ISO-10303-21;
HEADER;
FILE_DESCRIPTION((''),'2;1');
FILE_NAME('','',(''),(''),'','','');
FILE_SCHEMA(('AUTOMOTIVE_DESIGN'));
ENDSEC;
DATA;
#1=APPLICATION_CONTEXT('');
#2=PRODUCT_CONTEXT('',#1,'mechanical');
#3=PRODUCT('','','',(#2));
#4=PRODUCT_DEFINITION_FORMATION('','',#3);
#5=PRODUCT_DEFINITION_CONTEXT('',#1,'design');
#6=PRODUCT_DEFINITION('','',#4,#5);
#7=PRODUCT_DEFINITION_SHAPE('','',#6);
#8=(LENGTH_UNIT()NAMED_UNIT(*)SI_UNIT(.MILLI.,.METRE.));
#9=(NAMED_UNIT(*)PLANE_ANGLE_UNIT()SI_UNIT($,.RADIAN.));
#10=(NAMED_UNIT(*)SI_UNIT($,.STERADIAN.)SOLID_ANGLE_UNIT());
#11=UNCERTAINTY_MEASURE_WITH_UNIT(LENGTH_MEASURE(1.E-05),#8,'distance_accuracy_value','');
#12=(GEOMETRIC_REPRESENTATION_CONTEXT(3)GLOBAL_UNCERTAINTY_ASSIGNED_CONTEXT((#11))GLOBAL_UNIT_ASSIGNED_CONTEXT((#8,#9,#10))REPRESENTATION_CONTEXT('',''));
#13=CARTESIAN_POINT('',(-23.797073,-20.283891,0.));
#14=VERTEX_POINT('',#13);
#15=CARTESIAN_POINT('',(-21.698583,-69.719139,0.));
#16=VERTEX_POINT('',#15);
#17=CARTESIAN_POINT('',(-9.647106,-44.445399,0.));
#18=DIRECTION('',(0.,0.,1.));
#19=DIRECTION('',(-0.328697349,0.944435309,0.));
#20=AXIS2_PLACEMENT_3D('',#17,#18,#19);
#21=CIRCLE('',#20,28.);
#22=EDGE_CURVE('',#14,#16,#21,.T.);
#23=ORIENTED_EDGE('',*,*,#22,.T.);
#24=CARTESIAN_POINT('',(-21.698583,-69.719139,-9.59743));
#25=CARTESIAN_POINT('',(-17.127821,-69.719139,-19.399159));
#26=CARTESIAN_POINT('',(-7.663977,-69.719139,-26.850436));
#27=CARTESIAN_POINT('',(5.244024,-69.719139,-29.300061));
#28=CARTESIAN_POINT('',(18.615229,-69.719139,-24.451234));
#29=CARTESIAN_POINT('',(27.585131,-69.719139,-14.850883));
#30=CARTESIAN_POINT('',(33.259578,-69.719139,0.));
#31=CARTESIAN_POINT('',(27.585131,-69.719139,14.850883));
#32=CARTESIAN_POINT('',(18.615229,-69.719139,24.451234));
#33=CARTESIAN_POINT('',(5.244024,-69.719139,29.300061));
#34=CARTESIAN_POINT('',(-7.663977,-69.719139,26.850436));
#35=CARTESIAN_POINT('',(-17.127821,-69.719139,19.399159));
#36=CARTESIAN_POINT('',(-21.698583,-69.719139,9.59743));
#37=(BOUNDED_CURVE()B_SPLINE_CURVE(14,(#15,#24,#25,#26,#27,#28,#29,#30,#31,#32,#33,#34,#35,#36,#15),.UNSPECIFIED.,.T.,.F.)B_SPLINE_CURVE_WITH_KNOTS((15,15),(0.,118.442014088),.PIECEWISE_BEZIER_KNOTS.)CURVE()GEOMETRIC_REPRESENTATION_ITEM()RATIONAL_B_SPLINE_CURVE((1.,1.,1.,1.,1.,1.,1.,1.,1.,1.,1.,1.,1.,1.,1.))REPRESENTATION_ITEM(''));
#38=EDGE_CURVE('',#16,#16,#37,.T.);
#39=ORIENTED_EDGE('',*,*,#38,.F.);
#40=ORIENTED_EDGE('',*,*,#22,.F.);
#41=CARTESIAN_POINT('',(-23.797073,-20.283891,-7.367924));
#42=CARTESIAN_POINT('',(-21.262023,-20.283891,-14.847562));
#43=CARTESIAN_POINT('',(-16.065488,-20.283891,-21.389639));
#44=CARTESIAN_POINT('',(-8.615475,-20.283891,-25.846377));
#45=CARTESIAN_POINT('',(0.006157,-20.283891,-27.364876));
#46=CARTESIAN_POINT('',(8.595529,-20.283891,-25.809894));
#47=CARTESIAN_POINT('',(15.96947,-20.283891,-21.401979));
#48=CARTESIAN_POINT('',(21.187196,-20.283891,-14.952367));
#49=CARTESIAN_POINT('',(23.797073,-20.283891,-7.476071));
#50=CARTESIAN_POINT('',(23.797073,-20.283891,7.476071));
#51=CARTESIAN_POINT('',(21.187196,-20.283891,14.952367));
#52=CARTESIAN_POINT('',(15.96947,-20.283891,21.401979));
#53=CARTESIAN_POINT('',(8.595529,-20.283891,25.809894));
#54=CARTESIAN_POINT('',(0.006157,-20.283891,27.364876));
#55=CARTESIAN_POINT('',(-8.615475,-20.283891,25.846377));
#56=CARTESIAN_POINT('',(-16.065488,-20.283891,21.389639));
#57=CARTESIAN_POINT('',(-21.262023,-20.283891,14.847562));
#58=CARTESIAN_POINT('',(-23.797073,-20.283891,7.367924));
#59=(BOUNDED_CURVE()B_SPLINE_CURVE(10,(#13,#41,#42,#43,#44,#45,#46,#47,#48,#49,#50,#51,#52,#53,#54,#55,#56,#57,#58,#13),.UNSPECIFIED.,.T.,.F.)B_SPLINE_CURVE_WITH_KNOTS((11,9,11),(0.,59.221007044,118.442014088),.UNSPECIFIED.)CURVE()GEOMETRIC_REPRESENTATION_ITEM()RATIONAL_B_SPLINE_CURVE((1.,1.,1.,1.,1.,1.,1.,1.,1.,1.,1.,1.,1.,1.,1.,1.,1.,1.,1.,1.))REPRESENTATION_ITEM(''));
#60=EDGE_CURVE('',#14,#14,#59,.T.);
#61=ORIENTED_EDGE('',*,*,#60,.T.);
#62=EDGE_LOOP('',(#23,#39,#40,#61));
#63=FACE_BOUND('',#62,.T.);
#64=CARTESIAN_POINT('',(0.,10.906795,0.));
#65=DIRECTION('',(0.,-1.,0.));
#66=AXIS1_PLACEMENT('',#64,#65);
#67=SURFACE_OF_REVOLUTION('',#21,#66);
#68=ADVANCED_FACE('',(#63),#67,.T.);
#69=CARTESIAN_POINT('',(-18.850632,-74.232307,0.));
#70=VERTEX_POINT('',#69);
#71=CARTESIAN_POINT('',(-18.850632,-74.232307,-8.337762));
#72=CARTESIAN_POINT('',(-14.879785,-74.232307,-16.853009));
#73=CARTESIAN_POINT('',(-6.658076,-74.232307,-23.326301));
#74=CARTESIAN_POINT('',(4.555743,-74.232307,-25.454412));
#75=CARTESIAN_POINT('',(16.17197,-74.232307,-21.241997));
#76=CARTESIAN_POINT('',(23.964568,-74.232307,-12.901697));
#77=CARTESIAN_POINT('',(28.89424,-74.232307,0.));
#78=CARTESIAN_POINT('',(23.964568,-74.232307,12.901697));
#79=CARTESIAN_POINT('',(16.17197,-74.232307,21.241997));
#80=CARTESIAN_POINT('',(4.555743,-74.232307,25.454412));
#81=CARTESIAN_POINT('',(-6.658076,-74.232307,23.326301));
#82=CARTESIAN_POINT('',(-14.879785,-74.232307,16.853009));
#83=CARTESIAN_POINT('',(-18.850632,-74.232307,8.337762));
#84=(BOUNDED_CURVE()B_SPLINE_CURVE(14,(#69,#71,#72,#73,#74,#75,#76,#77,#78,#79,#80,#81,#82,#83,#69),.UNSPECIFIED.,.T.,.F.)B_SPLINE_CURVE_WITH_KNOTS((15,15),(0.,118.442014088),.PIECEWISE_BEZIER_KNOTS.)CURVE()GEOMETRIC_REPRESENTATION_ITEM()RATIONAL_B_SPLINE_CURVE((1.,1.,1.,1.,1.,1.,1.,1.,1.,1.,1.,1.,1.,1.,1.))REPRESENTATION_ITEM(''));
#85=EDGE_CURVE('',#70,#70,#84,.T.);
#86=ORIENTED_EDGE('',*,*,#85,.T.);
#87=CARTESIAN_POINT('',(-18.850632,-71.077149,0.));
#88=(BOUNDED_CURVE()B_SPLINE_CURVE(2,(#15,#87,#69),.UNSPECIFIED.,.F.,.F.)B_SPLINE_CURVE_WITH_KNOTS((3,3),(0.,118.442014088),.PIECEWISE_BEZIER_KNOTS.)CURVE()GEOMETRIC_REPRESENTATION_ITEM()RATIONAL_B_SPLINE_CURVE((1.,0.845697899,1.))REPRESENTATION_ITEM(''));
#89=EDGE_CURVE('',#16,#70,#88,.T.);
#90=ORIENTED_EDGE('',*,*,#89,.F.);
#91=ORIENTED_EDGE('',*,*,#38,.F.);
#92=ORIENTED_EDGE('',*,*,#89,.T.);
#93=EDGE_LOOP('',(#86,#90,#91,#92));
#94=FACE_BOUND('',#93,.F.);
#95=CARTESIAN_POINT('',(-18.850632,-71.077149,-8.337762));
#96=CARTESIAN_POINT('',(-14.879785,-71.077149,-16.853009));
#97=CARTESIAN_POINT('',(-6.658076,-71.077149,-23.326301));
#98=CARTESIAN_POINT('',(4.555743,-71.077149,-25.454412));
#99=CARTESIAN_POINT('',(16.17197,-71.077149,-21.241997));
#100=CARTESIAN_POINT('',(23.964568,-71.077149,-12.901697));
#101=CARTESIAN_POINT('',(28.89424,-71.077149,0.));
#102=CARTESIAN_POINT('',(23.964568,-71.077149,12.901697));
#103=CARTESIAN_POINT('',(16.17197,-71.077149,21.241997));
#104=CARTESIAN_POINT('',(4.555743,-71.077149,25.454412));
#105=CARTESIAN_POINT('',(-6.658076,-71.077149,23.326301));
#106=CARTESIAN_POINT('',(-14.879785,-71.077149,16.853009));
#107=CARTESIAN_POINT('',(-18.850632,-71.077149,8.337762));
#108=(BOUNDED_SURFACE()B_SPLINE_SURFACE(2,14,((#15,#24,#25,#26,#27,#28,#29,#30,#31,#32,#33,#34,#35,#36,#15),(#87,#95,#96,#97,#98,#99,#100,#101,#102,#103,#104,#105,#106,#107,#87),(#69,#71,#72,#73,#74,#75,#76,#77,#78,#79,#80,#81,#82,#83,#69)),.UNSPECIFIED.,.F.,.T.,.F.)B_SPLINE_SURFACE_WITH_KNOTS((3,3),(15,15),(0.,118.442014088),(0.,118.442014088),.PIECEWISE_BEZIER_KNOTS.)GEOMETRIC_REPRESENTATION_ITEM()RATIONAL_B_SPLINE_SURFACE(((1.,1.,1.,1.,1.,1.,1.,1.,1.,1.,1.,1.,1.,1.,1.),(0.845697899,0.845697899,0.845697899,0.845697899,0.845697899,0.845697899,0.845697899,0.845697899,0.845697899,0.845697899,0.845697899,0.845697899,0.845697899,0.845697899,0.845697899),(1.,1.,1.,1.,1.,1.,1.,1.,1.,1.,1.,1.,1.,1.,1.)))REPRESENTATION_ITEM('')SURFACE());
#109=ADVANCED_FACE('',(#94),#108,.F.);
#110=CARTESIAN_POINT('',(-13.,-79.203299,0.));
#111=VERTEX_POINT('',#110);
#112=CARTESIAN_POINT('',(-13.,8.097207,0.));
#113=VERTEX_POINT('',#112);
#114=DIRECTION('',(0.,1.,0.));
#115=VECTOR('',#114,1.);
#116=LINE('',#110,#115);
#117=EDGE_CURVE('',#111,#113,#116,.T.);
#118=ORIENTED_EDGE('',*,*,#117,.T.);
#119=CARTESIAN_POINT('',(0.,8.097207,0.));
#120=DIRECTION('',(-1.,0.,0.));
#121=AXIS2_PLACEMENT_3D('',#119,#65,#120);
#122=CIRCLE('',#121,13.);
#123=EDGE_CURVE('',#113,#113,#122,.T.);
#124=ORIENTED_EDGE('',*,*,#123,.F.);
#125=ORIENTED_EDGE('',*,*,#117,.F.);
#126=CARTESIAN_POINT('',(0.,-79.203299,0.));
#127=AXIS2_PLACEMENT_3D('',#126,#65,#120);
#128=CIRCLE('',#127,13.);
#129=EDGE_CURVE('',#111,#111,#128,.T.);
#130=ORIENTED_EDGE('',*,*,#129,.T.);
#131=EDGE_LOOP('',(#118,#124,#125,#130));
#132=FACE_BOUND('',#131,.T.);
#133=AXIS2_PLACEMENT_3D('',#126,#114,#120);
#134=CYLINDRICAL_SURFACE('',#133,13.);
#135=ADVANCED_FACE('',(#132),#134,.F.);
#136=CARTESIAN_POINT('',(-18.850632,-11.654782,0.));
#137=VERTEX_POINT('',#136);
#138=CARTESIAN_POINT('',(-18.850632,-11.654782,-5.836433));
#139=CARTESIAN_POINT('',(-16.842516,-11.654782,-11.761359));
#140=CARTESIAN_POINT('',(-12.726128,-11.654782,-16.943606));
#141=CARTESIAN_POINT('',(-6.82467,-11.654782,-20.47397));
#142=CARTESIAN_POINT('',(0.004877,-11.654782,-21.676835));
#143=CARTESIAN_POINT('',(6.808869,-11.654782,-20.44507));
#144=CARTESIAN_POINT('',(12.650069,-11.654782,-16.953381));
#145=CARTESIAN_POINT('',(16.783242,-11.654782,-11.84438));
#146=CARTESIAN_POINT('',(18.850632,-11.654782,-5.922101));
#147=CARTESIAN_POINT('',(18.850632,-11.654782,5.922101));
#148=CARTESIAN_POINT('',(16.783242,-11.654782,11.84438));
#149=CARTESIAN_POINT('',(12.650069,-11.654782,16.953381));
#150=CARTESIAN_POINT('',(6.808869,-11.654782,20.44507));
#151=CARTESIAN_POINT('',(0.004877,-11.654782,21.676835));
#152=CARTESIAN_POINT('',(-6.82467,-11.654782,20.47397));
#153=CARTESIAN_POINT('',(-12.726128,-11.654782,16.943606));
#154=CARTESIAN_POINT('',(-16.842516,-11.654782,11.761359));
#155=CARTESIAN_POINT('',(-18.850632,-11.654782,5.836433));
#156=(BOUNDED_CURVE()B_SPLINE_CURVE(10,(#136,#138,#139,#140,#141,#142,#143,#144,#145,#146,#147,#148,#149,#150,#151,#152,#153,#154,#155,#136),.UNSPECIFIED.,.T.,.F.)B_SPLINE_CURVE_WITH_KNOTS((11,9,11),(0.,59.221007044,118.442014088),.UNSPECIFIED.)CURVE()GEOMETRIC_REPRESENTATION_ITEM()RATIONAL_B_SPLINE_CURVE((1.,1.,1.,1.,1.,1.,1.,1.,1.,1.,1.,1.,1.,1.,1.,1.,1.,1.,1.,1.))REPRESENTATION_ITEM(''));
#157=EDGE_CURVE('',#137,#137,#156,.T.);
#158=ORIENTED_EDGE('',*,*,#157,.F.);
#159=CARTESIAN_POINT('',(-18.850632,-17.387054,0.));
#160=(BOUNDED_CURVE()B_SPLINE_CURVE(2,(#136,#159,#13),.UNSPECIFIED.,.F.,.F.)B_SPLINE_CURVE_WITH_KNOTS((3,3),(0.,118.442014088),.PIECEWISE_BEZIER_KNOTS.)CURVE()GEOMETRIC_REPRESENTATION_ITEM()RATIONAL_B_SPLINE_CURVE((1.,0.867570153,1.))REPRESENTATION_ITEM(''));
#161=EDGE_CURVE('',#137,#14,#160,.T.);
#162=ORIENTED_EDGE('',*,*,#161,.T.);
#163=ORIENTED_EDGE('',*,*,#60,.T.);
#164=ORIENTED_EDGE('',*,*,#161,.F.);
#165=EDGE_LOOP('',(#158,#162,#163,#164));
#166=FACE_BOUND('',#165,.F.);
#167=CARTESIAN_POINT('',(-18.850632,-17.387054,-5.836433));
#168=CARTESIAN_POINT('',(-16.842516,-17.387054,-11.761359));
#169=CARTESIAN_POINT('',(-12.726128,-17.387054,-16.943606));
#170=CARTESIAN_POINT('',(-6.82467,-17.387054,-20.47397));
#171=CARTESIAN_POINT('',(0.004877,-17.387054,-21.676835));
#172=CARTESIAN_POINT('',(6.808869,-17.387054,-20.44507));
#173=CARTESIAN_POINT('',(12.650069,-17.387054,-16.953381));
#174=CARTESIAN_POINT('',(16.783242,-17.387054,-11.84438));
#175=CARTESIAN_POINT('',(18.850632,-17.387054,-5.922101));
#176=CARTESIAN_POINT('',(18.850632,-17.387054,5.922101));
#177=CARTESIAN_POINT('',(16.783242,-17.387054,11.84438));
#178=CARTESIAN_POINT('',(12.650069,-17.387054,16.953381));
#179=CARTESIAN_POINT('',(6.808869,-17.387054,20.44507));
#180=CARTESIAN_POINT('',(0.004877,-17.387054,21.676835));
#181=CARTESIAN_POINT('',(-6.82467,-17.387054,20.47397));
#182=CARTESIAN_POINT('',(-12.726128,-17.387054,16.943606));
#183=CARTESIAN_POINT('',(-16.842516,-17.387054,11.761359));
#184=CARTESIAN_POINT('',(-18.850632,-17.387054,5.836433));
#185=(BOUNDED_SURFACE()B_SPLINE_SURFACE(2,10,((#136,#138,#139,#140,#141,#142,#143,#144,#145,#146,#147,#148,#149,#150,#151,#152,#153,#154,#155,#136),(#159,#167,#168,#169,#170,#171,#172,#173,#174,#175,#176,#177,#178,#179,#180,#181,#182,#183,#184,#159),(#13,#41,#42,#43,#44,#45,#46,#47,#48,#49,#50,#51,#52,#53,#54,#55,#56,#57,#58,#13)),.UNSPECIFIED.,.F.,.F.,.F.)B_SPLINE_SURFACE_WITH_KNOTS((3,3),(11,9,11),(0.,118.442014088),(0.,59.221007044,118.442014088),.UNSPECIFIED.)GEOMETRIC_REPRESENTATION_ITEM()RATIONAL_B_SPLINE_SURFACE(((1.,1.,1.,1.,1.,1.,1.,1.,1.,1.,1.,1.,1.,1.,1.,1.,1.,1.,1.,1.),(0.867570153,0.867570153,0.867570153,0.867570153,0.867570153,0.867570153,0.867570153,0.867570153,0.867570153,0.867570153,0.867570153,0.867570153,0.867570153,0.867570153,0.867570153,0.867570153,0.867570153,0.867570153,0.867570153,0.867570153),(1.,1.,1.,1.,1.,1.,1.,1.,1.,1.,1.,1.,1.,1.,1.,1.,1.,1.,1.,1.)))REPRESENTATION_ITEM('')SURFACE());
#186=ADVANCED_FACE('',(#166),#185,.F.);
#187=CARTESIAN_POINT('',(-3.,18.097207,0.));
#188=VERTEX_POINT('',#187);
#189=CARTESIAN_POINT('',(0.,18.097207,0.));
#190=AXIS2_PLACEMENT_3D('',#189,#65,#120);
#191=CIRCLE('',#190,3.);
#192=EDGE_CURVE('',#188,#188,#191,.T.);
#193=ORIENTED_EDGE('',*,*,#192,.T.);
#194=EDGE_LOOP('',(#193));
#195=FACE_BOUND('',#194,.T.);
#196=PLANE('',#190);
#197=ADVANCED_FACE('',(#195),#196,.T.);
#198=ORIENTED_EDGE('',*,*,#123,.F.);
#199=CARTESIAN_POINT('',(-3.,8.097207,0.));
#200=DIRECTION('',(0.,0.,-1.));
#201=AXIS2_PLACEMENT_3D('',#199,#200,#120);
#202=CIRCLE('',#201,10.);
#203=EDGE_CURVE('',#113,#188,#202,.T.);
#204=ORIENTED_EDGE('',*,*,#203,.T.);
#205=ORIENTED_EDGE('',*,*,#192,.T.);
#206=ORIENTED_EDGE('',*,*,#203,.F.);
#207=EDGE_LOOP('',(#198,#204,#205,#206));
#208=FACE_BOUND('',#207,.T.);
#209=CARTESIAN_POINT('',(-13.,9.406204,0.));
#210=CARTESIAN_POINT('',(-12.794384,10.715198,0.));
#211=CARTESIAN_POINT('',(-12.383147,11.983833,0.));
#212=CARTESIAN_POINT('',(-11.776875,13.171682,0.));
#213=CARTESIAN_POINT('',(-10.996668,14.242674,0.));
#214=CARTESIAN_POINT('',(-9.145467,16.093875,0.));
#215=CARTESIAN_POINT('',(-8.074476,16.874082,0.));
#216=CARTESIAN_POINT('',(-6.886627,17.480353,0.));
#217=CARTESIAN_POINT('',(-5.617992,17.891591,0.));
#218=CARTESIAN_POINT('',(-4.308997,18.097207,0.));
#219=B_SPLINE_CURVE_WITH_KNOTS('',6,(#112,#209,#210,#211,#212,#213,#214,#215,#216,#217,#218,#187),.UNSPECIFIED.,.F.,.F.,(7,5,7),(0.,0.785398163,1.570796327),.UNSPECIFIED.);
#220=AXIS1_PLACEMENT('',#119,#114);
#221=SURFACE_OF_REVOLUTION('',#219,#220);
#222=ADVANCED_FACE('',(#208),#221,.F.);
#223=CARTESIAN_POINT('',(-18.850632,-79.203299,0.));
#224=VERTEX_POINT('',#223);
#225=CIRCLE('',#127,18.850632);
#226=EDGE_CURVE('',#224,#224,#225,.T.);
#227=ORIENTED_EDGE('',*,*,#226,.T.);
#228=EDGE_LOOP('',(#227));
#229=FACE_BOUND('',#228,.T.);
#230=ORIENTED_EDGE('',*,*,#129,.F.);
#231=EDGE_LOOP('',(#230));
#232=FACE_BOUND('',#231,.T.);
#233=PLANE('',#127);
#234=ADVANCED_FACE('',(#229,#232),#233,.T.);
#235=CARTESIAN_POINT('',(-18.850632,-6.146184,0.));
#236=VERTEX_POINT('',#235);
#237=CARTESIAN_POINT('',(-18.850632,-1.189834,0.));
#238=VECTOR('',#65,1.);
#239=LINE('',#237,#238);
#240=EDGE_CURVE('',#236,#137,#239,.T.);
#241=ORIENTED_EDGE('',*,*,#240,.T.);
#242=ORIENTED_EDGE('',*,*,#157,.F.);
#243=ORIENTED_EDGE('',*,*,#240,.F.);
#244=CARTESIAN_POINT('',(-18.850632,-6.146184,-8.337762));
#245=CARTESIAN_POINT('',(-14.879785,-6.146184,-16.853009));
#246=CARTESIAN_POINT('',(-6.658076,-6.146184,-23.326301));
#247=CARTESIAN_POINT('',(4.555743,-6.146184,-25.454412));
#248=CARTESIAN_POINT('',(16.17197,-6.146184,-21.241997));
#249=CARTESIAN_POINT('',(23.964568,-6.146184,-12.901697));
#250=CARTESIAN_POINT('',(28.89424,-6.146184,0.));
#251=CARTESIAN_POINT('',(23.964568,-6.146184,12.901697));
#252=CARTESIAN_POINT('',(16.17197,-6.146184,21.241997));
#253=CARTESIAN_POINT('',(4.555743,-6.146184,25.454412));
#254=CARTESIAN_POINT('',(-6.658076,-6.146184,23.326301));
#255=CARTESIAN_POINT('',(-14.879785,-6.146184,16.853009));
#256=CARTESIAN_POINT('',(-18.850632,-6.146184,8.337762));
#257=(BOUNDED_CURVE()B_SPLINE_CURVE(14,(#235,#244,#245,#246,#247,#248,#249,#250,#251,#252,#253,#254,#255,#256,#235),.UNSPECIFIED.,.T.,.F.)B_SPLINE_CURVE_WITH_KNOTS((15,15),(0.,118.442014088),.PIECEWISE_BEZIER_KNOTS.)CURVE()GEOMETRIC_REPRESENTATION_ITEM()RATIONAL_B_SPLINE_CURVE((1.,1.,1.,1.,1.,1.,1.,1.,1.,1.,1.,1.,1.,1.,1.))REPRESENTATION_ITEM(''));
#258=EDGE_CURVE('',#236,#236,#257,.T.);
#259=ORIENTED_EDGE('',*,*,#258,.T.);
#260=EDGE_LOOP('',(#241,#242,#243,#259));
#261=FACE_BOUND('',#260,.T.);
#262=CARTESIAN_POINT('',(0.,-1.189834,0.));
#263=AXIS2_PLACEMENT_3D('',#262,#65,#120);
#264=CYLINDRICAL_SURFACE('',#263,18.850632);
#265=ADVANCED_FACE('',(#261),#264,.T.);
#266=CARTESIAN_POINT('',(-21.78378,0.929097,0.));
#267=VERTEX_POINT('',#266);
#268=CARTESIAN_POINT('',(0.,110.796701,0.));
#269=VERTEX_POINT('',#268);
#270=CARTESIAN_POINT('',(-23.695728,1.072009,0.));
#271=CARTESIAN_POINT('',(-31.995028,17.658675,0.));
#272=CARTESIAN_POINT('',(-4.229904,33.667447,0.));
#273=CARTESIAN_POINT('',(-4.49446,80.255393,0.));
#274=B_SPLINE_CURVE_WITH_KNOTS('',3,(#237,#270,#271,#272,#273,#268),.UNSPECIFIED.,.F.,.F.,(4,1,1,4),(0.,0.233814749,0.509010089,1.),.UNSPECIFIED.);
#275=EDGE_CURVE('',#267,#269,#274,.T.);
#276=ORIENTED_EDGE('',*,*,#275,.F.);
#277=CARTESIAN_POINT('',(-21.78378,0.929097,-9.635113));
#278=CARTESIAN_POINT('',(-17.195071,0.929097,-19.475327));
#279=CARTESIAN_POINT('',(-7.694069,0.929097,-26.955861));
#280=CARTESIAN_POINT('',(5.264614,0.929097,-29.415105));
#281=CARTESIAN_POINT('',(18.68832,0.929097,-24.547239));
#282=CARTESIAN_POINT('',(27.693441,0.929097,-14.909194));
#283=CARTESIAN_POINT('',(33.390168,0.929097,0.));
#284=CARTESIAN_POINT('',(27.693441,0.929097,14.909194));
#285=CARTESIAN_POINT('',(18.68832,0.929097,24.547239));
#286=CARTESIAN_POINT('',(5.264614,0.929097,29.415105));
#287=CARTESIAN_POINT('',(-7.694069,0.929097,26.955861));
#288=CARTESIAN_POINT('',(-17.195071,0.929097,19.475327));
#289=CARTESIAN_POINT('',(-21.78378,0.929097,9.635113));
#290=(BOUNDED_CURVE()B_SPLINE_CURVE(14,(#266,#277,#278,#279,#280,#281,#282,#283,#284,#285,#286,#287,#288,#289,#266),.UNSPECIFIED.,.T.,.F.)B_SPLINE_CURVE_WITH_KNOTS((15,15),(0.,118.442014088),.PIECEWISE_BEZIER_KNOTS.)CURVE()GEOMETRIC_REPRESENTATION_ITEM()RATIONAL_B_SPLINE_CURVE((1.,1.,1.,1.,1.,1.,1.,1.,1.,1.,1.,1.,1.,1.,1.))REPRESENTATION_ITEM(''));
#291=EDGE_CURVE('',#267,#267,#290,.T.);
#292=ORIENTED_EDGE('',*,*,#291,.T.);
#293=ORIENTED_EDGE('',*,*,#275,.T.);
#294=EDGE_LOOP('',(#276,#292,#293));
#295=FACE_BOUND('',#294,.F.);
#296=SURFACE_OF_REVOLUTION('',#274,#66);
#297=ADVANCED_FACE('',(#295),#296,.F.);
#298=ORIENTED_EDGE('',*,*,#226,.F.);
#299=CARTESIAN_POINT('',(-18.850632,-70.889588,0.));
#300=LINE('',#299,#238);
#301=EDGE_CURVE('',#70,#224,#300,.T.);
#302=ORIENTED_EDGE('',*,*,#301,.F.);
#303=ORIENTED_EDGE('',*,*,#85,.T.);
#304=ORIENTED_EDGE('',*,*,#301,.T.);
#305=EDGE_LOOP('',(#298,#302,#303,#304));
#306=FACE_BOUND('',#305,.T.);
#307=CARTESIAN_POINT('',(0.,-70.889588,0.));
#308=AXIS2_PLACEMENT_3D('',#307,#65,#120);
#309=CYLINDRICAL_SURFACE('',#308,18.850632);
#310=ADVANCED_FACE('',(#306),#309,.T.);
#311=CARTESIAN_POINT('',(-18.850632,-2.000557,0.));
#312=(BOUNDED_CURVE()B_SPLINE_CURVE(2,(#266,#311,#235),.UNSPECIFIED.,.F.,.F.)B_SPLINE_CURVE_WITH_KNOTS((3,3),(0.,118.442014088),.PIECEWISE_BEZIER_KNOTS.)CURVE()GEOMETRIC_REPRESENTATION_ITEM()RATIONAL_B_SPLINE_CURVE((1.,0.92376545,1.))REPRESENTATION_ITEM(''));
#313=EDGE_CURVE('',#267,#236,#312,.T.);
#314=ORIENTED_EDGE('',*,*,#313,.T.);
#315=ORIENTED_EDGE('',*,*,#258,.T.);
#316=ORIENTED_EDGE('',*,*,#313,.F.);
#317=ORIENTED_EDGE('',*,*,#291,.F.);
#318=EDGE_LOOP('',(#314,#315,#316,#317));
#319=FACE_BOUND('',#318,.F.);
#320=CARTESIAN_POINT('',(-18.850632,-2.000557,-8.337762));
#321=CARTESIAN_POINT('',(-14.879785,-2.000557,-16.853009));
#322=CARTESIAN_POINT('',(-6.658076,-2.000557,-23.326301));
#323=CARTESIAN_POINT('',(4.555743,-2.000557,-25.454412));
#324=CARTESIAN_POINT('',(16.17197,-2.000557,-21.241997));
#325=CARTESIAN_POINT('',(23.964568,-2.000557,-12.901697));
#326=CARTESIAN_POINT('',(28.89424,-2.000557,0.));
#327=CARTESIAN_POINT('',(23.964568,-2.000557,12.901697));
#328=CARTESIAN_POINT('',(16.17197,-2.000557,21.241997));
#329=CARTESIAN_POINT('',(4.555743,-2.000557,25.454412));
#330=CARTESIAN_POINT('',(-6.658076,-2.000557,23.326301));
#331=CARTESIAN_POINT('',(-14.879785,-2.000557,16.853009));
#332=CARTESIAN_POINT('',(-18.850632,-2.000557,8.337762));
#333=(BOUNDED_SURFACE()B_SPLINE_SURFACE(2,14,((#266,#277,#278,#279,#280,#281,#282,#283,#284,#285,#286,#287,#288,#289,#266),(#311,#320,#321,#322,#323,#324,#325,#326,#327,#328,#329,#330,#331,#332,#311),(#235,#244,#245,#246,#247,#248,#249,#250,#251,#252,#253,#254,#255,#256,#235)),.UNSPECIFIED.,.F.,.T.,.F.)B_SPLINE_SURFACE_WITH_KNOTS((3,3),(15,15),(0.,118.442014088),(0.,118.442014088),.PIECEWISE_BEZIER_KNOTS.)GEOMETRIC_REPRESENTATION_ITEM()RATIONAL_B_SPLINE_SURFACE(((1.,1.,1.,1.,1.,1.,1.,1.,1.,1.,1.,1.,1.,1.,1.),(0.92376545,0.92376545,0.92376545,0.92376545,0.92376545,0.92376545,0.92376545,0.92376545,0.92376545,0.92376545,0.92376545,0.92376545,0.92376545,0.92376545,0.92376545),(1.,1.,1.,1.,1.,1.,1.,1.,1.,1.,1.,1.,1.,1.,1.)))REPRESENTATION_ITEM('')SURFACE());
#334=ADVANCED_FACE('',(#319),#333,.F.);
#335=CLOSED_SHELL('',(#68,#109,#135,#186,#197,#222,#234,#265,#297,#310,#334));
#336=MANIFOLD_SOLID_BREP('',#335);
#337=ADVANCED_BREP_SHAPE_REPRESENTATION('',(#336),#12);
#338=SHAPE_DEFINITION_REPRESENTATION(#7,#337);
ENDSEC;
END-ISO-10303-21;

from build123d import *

# Parameters (mm, degrees)
F2_R = 10
F3_R = 5
F4_R = 10


with BuildPart() as f1:
    # F0 (on Top) → F1 (revolve)
    with BuildSketch(Plane.XY):
        with BuildLine():
            Line((-13, -79.2032987689), (-13, -9.6874993535))
            Line((-13, -9.6874993535), (-13, 18.0972066788))
            Line((-13, 18.0972066788), (0, 18.0972066788))
            Line((0, 18.0972066788), (0, 110.7967012311))
            add(Edge.make_bspline(
                [(-18.8506320119, -1.1898340561), (-23.6957277937, 1.0720088674), (-31.9950275022, 17.65867519), (-4.229903734, 33.6674467365), (-4.4944601274, 80.2553934973), (0, 110.7967012311)],
                knots=[0, 0, 0, 0, 0.233814749, 0.5090100894, 1, 1, 1, 1], degree=3))
            Line((-18.8506320119, -1.1898340561), (-18.8506320119, -18.001210414))
            ThreePointArc((-18.8506320119, -18.001210414), (-37.6471062314, -44.4453990612), (-18.8506320119, -70.8895877084))
            Line((-18.8506320119, -70.8895877084), (-18.8506320119, -79.2032987689))
            Line((-18.8506320119, -79.2032987689), (-13, -79.2032987689))
        make_face()
    revolve(axis=Axis((0, 10.9067951135, 0), (0, -1, 0)))

    # F2
    f2_edges = [f1.edges().sort_by_distance(p)[0] for p in [
        (18.850632, -1.189834, 0),
        (18.850632, -18.00121, 0),
    ]]
    fillet(f2_edges, radius=F2_R)

    # F3
    f3_edges = [f1.edges().sort_by_distance(p)[0] for p in [
        (18.850632, -70.889588, 0),
    ]]
    fillet(f3_edges, radius=F3_R)

    # F4
    f4_edges = [f1.edges().sort_by_distance(p)[0] for p in [
        (13, 18.097207, 0),
    ]]
    fillet(f4_edges, radius=F4_R)


solid = f1.part
